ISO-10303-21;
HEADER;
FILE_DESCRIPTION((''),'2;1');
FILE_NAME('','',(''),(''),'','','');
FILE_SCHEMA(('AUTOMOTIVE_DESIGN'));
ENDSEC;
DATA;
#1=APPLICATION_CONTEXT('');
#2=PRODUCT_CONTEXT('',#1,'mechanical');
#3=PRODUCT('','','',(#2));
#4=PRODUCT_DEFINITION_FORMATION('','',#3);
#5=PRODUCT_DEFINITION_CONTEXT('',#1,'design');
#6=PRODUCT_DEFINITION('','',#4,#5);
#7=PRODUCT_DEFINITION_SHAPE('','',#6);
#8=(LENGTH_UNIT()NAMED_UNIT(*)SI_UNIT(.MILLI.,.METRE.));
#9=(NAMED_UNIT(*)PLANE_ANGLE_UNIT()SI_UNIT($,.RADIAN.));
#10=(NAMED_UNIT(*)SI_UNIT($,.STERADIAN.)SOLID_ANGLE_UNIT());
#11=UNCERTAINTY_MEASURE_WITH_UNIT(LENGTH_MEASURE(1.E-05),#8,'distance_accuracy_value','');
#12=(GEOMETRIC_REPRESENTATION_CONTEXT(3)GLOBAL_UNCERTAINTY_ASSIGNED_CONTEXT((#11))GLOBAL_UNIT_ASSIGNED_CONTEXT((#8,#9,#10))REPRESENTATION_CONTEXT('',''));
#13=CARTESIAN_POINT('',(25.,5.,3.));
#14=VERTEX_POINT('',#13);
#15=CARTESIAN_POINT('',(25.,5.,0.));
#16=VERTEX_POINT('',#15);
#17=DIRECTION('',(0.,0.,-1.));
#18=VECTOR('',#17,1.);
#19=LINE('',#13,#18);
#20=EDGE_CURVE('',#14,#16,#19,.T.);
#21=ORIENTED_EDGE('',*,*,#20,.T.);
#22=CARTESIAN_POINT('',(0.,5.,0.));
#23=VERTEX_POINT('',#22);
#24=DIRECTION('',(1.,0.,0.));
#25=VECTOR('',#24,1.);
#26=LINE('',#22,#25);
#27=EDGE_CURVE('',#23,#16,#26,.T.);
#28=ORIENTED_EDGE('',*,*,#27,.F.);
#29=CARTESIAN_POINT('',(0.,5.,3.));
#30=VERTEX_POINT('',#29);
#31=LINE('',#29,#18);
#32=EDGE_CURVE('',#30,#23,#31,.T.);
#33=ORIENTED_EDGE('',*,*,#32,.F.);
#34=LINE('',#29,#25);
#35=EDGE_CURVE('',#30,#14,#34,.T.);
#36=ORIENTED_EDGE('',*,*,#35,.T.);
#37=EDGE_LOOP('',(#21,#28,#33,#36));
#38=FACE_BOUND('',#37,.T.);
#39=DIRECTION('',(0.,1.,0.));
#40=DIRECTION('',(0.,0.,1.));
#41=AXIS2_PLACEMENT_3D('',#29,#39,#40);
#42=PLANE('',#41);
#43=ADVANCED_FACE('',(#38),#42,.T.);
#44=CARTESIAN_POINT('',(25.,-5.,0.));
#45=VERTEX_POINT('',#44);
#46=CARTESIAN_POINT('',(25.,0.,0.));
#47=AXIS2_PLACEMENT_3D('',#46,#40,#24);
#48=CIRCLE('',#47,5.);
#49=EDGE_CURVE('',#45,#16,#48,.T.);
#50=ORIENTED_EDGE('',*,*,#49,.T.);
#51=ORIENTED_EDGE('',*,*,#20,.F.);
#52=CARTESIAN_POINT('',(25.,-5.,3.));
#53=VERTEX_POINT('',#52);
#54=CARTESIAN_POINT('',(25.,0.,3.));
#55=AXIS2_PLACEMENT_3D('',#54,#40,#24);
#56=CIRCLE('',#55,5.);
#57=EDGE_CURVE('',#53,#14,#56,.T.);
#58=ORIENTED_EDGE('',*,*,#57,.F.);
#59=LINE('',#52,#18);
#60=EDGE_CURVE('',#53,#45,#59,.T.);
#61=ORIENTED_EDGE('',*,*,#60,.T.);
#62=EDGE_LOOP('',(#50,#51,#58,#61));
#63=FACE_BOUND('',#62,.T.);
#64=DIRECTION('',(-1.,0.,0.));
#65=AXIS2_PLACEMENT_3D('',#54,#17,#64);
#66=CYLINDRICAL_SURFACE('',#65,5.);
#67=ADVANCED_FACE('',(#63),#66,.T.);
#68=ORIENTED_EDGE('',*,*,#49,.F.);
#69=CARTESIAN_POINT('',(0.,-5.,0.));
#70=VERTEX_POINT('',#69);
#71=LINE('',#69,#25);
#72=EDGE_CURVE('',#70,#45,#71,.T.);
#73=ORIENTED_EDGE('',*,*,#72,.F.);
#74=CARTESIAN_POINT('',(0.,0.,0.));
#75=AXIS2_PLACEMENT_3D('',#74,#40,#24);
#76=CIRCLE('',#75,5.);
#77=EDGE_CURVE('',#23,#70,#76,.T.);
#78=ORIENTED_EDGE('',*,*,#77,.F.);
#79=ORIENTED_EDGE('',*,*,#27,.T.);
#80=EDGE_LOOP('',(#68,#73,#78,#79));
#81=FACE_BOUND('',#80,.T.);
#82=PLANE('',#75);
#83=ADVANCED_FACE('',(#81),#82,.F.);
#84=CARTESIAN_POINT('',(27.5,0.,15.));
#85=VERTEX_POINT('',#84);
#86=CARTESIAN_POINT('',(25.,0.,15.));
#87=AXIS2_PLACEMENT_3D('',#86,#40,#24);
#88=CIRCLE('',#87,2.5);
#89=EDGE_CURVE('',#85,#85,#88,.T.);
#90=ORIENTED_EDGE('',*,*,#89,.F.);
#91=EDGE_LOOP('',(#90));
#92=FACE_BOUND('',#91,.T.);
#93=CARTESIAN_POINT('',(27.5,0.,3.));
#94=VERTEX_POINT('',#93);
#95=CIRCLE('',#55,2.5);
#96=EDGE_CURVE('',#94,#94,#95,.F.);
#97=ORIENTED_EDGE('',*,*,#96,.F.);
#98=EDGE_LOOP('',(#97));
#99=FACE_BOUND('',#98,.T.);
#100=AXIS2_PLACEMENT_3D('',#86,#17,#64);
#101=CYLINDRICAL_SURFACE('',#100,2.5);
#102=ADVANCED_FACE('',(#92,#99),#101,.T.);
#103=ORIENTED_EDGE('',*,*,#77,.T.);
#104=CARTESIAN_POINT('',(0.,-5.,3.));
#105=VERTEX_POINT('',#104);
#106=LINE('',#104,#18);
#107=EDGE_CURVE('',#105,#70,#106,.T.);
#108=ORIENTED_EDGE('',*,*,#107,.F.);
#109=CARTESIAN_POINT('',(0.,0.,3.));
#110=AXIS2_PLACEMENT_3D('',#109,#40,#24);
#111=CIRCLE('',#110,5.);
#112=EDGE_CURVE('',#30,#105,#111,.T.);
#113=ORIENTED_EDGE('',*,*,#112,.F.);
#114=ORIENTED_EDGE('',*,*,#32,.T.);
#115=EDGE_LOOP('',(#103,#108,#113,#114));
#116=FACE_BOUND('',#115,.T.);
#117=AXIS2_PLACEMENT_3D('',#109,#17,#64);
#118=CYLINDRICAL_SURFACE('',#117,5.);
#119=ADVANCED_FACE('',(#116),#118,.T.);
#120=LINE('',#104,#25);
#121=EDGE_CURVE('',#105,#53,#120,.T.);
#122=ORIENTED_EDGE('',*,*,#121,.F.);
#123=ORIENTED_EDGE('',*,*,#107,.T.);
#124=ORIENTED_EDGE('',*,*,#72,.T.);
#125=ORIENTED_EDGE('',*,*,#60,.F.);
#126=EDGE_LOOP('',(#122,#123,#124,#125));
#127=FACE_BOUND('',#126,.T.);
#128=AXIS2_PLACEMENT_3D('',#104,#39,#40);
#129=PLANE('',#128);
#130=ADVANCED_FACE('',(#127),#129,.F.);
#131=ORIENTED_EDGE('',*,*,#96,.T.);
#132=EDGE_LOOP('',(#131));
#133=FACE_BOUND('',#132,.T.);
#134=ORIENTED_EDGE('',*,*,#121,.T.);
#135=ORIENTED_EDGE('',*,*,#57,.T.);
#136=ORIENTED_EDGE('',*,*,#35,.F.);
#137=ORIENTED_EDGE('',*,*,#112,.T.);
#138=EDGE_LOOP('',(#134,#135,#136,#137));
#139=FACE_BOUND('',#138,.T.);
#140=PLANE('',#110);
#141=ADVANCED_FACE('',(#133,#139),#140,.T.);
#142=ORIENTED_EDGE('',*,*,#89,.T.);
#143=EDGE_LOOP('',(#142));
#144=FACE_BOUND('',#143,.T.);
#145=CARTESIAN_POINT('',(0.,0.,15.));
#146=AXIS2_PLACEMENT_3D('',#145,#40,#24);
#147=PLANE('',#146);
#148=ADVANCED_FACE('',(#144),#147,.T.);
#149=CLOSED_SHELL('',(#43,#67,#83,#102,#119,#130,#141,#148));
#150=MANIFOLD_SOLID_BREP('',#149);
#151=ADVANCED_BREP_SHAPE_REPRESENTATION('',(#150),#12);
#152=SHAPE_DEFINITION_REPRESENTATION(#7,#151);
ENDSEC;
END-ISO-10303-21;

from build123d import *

# Parameters (mm, degrees)
EXTRUDE_1_DEPTH = 3
SKETCH_1_4_R    = 2.5
EXTRUDE_3_DEPTH = 15


with BuildPart() as part:
    # 草圖1 → 填料-伸長1 (new body)
    with BuildSketch(Plane.XY):
        with BuildLine():
            Line((25, 5), (0, 5))
            ThreePointArc((0, 5), (-5, 0), (0, -5))
            Line((0, -5), (25, -5))
            ThreePointArc((25, -5), (30, 0), (25, 5))
        make_face()
    extrude(amount=EXTRUDE_1_DEPTH)

    # 草圖1<4> → 填料-伸長3 (add)
    with BuildSketch(Plane.XY):
        with Locations((25, 0)):
            Circle(SKETCH_1_4_R)
    extrude(amount=EXTRUDE_3_DEPTH)


solid = part.part
